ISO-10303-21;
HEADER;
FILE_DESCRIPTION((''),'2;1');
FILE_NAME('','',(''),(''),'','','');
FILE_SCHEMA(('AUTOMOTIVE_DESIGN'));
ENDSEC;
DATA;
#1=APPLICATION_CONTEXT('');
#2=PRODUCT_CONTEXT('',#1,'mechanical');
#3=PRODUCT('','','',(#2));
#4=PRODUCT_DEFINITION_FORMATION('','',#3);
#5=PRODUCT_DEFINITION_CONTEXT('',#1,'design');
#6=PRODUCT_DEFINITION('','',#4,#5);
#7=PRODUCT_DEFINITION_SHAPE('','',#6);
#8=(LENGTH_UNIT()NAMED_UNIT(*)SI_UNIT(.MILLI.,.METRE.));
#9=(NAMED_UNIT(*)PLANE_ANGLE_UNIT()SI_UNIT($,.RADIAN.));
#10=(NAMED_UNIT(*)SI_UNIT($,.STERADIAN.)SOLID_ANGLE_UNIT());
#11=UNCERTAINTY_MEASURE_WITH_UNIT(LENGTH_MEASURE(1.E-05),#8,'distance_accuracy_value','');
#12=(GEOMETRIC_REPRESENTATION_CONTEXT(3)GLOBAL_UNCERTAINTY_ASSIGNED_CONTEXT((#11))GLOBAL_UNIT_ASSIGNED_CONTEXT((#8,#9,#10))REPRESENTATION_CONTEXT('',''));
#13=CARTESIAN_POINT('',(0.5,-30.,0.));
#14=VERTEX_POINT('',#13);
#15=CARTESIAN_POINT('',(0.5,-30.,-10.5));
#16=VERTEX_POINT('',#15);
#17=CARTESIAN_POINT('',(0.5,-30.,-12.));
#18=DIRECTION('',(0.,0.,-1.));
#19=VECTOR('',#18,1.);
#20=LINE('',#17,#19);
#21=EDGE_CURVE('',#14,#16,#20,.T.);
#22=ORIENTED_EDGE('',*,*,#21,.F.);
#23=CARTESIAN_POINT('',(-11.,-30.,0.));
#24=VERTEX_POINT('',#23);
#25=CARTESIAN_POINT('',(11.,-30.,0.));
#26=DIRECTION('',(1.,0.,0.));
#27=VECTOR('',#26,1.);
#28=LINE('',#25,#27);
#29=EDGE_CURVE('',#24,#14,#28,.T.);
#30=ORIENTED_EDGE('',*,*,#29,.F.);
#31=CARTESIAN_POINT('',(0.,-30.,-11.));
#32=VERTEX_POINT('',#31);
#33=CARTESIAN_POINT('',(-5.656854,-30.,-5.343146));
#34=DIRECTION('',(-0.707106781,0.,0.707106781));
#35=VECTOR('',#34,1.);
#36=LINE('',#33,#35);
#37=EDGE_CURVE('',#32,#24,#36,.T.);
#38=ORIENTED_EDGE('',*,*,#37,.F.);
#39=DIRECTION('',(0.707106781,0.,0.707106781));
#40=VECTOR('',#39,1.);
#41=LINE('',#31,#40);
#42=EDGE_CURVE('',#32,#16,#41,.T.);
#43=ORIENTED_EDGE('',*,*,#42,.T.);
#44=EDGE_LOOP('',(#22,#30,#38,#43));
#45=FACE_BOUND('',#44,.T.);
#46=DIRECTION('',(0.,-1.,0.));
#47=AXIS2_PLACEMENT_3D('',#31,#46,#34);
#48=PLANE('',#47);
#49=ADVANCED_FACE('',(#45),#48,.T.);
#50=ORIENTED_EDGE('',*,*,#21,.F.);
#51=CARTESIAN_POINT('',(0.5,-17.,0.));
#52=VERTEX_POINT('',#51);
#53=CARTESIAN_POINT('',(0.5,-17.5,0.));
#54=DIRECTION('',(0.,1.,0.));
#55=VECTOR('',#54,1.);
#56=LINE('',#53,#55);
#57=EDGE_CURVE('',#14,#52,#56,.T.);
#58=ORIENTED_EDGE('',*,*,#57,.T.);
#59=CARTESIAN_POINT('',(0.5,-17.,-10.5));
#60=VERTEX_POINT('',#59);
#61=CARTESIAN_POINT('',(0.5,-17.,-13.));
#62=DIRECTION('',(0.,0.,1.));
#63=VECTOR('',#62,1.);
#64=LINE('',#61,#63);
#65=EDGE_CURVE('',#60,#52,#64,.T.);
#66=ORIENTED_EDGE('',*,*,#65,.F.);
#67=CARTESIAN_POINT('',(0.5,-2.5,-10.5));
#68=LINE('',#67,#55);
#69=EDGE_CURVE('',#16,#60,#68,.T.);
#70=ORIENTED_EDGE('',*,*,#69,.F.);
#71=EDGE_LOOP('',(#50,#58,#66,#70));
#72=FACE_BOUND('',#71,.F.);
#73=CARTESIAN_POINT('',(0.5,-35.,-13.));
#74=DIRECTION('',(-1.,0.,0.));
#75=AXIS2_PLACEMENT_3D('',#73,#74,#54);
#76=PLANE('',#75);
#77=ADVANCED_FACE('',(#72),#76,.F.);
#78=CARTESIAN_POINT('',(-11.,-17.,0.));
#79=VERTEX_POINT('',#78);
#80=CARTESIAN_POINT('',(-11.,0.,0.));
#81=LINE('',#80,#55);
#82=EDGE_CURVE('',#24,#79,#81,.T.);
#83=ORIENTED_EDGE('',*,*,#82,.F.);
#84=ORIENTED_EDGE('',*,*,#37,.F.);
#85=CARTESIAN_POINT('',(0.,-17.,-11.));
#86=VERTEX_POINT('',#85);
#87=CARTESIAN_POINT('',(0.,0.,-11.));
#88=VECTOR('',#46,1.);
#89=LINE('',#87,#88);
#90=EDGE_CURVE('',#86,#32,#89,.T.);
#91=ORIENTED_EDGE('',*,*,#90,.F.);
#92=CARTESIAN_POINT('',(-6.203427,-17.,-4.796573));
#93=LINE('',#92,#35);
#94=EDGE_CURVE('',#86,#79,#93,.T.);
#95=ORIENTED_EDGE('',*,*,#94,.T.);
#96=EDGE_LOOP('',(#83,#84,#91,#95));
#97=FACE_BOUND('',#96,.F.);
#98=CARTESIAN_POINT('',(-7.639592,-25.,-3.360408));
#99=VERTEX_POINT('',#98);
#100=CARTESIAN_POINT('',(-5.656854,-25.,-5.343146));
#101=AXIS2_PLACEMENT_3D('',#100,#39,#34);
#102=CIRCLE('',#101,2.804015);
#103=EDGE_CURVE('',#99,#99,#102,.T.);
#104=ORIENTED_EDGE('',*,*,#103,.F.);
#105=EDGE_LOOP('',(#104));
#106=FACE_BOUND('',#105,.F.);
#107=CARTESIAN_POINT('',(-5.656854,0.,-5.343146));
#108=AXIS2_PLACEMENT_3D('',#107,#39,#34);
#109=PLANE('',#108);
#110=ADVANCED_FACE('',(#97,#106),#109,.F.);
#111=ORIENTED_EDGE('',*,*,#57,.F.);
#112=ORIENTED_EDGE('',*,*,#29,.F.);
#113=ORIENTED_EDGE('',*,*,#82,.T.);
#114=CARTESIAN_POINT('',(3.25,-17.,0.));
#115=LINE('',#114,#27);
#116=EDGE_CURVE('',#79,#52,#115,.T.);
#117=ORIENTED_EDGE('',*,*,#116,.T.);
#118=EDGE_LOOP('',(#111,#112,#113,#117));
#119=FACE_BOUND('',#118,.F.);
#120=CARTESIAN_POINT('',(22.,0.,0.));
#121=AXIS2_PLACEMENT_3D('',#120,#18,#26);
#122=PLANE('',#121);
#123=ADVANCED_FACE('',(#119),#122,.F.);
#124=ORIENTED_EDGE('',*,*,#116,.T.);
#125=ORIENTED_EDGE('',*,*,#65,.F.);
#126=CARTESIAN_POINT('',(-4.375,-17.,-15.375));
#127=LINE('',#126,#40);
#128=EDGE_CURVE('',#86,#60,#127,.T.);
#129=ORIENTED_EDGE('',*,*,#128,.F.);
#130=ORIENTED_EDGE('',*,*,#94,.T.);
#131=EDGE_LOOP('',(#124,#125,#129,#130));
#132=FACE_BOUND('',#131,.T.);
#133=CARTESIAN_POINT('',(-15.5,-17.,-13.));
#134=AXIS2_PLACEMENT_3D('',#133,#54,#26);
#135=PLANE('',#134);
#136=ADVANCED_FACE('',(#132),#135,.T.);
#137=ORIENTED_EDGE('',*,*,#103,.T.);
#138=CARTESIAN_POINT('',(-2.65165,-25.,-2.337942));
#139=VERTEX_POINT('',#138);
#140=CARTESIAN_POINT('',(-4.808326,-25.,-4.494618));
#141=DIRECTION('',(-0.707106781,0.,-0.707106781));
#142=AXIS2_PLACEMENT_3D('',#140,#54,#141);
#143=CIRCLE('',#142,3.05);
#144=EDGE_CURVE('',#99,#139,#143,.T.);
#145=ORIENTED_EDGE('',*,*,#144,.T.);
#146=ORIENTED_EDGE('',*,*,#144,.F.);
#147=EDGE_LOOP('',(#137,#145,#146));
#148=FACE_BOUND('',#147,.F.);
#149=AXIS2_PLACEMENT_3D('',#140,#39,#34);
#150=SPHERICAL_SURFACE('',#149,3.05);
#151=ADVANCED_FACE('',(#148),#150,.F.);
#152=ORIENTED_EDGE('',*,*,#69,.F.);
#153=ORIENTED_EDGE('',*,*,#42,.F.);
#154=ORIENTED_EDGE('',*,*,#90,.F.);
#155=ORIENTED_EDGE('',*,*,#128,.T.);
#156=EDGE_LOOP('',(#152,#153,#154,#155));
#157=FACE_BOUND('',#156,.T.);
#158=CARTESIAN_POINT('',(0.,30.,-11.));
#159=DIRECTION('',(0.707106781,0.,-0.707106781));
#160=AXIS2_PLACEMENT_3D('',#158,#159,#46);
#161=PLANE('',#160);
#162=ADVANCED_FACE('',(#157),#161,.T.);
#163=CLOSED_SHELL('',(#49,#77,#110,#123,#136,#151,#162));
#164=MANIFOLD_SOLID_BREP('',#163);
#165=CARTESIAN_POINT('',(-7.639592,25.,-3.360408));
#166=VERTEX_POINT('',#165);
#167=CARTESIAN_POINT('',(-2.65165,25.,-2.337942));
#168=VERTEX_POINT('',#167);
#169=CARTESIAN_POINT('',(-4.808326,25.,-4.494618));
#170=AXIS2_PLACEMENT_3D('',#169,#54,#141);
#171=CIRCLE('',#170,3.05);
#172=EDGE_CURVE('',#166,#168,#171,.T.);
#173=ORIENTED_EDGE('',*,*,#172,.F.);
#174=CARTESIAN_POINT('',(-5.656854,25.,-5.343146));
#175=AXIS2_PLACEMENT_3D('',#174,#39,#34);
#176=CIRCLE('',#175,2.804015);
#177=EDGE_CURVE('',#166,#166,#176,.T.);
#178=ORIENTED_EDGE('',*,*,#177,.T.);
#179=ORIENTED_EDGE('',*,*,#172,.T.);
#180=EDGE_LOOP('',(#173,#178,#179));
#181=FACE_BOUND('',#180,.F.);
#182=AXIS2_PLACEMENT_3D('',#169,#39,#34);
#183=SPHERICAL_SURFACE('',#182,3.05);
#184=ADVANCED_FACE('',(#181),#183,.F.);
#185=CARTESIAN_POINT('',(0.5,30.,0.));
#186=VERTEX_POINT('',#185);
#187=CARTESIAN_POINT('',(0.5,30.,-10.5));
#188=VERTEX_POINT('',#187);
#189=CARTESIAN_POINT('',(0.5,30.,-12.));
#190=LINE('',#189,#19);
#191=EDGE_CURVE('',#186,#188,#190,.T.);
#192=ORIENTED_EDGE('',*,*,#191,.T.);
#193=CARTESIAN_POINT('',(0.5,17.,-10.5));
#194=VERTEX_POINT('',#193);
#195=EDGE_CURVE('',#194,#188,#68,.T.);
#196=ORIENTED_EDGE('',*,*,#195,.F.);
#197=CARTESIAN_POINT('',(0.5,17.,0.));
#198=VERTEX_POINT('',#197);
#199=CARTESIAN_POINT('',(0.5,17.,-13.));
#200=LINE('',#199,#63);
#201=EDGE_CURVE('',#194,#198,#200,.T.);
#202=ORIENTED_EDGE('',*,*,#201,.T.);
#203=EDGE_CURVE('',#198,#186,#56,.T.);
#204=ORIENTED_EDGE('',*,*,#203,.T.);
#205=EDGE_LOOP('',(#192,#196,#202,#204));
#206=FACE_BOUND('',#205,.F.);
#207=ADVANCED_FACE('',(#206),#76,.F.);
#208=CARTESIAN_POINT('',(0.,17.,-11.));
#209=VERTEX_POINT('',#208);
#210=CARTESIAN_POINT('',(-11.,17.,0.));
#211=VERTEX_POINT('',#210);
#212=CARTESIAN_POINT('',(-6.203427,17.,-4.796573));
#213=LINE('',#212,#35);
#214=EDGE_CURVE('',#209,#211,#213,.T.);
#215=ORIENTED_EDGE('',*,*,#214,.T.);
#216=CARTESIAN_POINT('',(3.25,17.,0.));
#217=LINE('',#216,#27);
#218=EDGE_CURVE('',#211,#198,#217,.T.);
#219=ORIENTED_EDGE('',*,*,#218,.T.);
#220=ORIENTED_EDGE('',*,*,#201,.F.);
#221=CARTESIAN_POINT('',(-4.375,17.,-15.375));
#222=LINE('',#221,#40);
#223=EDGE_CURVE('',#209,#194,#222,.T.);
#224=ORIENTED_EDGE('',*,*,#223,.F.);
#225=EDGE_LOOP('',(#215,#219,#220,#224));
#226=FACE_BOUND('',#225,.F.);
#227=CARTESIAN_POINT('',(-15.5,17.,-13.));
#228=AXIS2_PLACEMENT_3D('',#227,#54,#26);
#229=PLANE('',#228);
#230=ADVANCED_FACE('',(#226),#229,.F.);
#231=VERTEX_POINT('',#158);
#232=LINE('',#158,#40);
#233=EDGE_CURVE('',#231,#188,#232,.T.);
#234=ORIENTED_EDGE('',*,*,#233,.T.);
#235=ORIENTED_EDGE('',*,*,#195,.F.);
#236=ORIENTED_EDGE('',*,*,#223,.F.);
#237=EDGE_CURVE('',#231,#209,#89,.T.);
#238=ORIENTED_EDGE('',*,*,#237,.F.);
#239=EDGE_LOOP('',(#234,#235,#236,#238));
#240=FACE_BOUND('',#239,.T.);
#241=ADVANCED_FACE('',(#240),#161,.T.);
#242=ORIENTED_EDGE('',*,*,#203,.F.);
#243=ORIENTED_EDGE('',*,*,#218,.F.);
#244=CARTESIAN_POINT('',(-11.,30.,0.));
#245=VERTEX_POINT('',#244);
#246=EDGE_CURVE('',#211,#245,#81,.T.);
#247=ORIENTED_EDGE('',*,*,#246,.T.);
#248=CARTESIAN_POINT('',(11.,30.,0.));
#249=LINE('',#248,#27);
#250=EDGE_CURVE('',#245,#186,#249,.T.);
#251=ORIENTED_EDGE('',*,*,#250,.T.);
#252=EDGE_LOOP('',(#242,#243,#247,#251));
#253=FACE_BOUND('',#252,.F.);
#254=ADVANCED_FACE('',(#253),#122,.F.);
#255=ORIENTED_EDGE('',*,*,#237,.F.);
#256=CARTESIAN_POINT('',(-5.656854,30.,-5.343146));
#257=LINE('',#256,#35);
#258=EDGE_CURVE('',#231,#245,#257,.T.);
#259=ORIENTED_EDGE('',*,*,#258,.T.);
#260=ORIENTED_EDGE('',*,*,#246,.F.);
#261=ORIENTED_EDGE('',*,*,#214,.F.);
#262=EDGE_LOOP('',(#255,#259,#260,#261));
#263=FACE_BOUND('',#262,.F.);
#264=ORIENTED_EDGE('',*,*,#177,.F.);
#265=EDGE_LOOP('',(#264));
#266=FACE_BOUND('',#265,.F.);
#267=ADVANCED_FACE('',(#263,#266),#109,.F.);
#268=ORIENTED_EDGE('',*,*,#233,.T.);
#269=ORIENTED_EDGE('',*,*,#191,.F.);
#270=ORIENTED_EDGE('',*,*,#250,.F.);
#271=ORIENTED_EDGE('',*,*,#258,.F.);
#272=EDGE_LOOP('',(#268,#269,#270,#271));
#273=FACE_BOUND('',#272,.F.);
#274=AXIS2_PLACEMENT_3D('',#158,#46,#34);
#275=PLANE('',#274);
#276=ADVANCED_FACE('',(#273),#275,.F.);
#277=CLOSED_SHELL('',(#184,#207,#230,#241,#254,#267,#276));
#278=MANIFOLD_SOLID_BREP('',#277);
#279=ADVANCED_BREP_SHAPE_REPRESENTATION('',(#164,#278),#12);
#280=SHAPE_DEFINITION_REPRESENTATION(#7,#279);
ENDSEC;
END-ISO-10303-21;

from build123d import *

# Parameters (mm, degrees)
BOX112015002017004007004038010_W     = 31
BOX112015002017004007004038010_H     = 70
BOX112015002017004007004038010_DEPTH = 15
BOX112015002017004007004038009_W     = 31
BOX112015002017004007004038009_H     = 34
BOX112015002017004007004038009_DEPTH = 15
BOX112015002017004007004018_W        = 100
BOX112015002017004007004018_H        = 100
BOX112015002017004007004018_DEPTH    = 20
BOX112015002017004007004017_W        = 16
BOX112015002017004007004017_H        = 60
BOX112015002017004007004017_DEPTH    = 16
CUT254_PLACEMENT_ANGLE               = 135
CUT255_PLACEMENT_ANGLE               = 180


with BuildPart() as cube126:
    # Box112015002017004007004038010 → Box112015002017004007004038010 (new body)
    with BuildSketch(Plane(origin=(0.5, -35, -13), x_dir=(1, 0, 0), z_dir=(0, 0, 1))):
        with Locations((15.5, 35)):
            Rectangle(BOX112015002017004007004038010_W, BOX112015002017004007004038010_H)
    extrude(amount=BOX112015002017004007004038010_DEPTH)


with BuildPart() as fusion051010010012015014030:
    # Box112015002017004007004038009 → Box112015002017004007004038009 (new body)
    with BuildSketch(Plane(origin=(-15.5, -17, -13), x_dir=(1, 0, 0), z_dir=(0, 0, 1))):
        with Locations((15.5, 17)):
            Rectangle(BOX112015002017004007004038009_W, BOX112015002017004007004038009_H)
    extrude(amount=BOX112015002017004007004038009_DEPTH)

    # Fusion051010010012015014030: union Cube126
    add(cube126.part)


with BuildPart() as cube101:
    # Box112015002017004007004018 → Box112015002017004007004018 (new body)
    with BuildSketch(Plane(origin=(-50, -50, -28), x_dir=(1, 0, 0), z_dir=(0, 0, 1))):
        with Locations((50, 50)):
            Rectangle(BOX112015002017004007004018_W, BOX112015002017004007004018_H)
    extrude(amount=BOX112015002017004007004018_DEPTH)


with BuildPart() as sphere006006006006009:
    # Sphere006006006006009 → Sphere006006006006009 (revolve)
    with BuildSketch(Plane(origin=(8, -25, 1.2), x_dir=(1, 0, 0), z_dir=(0, -1, 0))):
        with BuildLine():
            ThreePointArc((0, -3.05), (3.05, 0), (0, 3.05))
            Line((0, 3.05), (0, -3.05))
        make_face()
    revolve(axis=Axis((8, -25, 1.2), (0, 0, 1)))


with BuildPart() as sphere006006006006008:
    # Sphere006006006006008 → Sphere006006006006008 (revolve)
    with BuildSketch(Plane(origin=(8, 25, 1.2), x_dir=(1, 0, 0), z_dir=(0, -1, 0))):
        with BuildLine():
            ThreePointArc((0, -3.05), (3.05, 0), (0, 3.05))
            Line((0, 3.05), (0, -3.05))
        make_face()
    revolve(axis=Axis((8, 25, 1.2), (0, 0, 1)))


with BuildPart() as ball_socket_tabs:
    # Box112015002017004007004017 → Box112015002017004007004017 (new body)
    with BuildSketch(Plane(origin=(0, -30, 0), x_dir=(1, 0, 0), z_dir=(0, 0, 1))):
        with Locations((8, 30)):
            Rectangle(BOX112015002017004007004017_W, BOX112015002017004007004017_H)
    extrude(amount=BOX112015002017004007004017_DEPTH)

    # Cut253: cut Sphere006006006006008
    add(sphere006006006006008.part, mode=Mode.SUBTRACT)

    # Cut254: cut Sphere006006006006009
    add(sphere006006006006009.part, mode=Mode.SUBTRACT)


with BuildPart() as ball_socket_tabs_1:
    # Cut254 placement: moved
    add(ball_socket_tabs.part.moved(Location((-22, 0, 3))).rotate(Axis((-22, 0, 3), (0, 1, 0)), CUT254_PLACEMENT_ANGLE))

    # Cut255: cut Cube101
    add(cube101.part, mode=Mode.SUBTRACT)


with BuildPart() as ball_socket_tabs_2:
    # Cut255 placement: moved
    add(ball_socket_tabs_1.part.moved(Location((22, 0, -8))).rotate(Axis((22, 0, -8), (1, 0, 0)), CUT255_PLACEMENT_ANGLE))

    # Cut294: cut Fusion051010010012015014030
    add(fusion051010010012015014030.part, mode=Mode.SUBTRACT)


solid = ball_socket_tabs_2.part
